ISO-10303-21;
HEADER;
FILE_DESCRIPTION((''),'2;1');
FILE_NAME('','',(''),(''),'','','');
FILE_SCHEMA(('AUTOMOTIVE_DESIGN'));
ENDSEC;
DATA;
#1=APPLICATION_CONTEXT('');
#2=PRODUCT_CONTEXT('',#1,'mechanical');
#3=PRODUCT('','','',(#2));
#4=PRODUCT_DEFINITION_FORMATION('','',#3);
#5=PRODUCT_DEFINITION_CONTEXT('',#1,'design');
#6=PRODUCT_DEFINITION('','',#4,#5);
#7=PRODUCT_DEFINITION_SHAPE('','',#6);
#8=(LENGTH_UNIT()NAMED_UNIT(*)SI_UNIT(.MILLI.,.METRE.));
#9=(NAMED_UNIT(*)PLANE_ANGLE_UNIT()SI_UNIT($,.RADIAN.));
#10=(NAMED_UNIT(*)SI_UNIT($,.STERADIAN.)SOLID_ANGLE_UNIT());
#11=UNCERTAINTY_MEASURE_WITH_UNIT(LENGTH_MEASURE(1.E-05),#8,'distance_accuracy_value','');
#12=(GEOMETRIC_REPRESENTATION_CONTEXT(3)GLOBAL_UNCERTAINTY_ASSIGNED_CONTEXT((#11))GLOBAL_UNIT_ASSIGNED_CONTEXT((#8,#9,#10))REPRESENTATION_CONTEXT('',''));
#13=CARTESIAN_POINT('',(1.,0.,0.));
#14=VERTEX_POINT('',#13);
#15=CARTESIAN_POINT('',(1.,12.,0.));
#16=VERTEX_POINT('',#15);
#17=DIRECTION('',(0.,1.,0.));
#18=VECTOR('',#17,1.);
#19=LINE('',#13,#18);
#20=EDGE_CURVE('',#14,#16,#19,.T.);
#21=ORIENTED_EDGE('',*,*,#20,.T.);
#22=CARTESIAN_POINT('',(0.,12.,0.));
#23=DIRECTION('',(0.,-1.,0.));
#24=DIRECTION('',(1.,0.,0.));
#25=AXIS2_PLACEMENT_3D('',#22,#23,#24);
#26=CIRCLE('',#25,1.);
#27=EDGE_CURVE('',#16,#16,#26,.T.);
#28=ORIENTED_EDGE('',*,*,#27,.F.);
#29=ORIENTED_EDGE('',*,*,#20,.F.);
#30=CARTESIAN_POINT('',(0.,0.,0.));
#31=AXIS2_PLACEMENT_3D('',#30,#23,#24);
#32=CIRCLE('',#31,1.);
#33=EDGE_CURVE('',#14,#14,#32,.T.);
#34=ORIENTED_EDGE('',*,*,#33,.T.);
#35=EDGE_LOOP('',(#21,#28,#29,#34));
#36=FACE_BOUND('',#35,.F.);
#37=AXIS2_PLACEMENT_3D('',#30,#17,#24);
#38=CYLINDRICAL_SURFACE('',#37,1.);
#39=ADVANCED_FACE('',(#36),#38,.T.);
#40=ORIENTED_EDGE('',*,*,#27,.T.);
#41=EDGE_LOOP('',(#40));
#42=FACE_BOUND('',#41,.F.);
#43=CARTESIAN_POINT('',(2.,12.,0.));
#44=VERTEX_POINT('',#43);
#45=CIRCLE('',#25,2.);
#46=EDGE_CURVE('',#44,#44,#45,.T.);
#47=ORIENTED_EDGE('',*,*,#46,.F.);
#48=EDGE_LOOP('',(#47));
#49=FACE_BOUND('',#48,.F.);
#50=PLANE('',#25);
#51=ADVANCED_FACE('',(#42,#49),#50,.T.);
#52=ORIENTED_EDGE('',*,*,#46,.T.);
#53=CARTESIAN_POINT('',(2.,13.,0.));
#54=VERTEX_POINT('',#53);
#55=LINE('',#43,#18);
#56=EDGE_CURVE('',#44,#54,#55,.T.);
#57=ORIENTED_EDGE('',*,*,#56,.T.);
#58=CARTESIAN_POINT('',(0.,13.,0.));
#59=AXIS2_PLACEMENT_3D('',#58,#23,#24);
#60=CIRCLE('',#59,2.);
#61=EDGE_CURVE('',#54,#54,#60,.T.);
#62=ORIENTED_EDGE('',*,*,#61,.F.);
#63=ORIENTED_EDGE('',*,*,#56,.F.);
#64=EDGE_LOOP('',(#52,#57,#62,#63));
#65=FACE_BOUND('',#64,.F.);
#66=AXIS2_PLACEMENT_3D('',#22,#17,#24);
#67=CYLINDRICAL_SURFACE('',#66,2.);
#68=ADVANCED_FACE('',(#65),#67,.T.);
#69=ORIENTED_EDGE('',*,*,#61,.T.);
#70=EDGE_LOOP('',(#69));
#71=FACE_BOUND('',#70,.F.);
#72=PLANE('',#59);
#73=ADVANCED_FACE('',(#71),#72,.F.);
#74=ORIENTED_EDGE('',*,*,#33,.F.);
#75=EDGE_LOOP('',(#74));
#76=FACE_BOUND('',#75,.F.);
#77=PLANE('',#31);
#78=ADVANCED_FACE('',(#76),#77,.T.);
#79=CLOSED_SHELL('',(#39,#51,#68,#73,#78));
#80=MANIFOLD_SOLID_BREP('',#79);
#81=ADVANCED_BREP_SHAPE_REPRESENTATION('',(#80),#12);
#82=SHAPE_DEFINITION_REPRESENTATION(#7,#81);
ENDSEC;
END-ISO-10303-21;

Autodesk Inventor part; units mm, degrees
ref_plane "YZ Plane" through (0, 0, 0) normal (1, 0, 0) x (0, 1, 0)
ref_plane "XZ Plane" through (0, 0, 0) normal (0, 1, 0) x (-1, 0, 0)
ref_plane "XY Plane" through (0, 0, 0) normal (0, 0, 1) x (1, 0, 0)
sketch "Sketch1" plane through (0, 0, 0) normal (0, 0, 1) x (1, 0, 0)
  line L0 (0, 0) -> (1, 0)
  line L1 (1, 0) -> (1, 12)
  line L2 (1, 12) -> (0, 12)
  line L3 (0, 12) -> (0, 0)
  line L4 (0, 12) -> (2, 12)
  line L5 (2, 12) -> (2, 13)
  line L6 (2, 13) -> (0, 13)
  line L7 (0, 13) -> (0, 12)
  dimension "d0" = 1
  dimension "d1" = 12
  dimension "d2" = 2
  dimension "d3" = 1
revolve "Revolution1" add sketch "Sketch1" angle 360 about axis through (0, 12, 0) along (0, -1, 0)
properties part number "Axel"
